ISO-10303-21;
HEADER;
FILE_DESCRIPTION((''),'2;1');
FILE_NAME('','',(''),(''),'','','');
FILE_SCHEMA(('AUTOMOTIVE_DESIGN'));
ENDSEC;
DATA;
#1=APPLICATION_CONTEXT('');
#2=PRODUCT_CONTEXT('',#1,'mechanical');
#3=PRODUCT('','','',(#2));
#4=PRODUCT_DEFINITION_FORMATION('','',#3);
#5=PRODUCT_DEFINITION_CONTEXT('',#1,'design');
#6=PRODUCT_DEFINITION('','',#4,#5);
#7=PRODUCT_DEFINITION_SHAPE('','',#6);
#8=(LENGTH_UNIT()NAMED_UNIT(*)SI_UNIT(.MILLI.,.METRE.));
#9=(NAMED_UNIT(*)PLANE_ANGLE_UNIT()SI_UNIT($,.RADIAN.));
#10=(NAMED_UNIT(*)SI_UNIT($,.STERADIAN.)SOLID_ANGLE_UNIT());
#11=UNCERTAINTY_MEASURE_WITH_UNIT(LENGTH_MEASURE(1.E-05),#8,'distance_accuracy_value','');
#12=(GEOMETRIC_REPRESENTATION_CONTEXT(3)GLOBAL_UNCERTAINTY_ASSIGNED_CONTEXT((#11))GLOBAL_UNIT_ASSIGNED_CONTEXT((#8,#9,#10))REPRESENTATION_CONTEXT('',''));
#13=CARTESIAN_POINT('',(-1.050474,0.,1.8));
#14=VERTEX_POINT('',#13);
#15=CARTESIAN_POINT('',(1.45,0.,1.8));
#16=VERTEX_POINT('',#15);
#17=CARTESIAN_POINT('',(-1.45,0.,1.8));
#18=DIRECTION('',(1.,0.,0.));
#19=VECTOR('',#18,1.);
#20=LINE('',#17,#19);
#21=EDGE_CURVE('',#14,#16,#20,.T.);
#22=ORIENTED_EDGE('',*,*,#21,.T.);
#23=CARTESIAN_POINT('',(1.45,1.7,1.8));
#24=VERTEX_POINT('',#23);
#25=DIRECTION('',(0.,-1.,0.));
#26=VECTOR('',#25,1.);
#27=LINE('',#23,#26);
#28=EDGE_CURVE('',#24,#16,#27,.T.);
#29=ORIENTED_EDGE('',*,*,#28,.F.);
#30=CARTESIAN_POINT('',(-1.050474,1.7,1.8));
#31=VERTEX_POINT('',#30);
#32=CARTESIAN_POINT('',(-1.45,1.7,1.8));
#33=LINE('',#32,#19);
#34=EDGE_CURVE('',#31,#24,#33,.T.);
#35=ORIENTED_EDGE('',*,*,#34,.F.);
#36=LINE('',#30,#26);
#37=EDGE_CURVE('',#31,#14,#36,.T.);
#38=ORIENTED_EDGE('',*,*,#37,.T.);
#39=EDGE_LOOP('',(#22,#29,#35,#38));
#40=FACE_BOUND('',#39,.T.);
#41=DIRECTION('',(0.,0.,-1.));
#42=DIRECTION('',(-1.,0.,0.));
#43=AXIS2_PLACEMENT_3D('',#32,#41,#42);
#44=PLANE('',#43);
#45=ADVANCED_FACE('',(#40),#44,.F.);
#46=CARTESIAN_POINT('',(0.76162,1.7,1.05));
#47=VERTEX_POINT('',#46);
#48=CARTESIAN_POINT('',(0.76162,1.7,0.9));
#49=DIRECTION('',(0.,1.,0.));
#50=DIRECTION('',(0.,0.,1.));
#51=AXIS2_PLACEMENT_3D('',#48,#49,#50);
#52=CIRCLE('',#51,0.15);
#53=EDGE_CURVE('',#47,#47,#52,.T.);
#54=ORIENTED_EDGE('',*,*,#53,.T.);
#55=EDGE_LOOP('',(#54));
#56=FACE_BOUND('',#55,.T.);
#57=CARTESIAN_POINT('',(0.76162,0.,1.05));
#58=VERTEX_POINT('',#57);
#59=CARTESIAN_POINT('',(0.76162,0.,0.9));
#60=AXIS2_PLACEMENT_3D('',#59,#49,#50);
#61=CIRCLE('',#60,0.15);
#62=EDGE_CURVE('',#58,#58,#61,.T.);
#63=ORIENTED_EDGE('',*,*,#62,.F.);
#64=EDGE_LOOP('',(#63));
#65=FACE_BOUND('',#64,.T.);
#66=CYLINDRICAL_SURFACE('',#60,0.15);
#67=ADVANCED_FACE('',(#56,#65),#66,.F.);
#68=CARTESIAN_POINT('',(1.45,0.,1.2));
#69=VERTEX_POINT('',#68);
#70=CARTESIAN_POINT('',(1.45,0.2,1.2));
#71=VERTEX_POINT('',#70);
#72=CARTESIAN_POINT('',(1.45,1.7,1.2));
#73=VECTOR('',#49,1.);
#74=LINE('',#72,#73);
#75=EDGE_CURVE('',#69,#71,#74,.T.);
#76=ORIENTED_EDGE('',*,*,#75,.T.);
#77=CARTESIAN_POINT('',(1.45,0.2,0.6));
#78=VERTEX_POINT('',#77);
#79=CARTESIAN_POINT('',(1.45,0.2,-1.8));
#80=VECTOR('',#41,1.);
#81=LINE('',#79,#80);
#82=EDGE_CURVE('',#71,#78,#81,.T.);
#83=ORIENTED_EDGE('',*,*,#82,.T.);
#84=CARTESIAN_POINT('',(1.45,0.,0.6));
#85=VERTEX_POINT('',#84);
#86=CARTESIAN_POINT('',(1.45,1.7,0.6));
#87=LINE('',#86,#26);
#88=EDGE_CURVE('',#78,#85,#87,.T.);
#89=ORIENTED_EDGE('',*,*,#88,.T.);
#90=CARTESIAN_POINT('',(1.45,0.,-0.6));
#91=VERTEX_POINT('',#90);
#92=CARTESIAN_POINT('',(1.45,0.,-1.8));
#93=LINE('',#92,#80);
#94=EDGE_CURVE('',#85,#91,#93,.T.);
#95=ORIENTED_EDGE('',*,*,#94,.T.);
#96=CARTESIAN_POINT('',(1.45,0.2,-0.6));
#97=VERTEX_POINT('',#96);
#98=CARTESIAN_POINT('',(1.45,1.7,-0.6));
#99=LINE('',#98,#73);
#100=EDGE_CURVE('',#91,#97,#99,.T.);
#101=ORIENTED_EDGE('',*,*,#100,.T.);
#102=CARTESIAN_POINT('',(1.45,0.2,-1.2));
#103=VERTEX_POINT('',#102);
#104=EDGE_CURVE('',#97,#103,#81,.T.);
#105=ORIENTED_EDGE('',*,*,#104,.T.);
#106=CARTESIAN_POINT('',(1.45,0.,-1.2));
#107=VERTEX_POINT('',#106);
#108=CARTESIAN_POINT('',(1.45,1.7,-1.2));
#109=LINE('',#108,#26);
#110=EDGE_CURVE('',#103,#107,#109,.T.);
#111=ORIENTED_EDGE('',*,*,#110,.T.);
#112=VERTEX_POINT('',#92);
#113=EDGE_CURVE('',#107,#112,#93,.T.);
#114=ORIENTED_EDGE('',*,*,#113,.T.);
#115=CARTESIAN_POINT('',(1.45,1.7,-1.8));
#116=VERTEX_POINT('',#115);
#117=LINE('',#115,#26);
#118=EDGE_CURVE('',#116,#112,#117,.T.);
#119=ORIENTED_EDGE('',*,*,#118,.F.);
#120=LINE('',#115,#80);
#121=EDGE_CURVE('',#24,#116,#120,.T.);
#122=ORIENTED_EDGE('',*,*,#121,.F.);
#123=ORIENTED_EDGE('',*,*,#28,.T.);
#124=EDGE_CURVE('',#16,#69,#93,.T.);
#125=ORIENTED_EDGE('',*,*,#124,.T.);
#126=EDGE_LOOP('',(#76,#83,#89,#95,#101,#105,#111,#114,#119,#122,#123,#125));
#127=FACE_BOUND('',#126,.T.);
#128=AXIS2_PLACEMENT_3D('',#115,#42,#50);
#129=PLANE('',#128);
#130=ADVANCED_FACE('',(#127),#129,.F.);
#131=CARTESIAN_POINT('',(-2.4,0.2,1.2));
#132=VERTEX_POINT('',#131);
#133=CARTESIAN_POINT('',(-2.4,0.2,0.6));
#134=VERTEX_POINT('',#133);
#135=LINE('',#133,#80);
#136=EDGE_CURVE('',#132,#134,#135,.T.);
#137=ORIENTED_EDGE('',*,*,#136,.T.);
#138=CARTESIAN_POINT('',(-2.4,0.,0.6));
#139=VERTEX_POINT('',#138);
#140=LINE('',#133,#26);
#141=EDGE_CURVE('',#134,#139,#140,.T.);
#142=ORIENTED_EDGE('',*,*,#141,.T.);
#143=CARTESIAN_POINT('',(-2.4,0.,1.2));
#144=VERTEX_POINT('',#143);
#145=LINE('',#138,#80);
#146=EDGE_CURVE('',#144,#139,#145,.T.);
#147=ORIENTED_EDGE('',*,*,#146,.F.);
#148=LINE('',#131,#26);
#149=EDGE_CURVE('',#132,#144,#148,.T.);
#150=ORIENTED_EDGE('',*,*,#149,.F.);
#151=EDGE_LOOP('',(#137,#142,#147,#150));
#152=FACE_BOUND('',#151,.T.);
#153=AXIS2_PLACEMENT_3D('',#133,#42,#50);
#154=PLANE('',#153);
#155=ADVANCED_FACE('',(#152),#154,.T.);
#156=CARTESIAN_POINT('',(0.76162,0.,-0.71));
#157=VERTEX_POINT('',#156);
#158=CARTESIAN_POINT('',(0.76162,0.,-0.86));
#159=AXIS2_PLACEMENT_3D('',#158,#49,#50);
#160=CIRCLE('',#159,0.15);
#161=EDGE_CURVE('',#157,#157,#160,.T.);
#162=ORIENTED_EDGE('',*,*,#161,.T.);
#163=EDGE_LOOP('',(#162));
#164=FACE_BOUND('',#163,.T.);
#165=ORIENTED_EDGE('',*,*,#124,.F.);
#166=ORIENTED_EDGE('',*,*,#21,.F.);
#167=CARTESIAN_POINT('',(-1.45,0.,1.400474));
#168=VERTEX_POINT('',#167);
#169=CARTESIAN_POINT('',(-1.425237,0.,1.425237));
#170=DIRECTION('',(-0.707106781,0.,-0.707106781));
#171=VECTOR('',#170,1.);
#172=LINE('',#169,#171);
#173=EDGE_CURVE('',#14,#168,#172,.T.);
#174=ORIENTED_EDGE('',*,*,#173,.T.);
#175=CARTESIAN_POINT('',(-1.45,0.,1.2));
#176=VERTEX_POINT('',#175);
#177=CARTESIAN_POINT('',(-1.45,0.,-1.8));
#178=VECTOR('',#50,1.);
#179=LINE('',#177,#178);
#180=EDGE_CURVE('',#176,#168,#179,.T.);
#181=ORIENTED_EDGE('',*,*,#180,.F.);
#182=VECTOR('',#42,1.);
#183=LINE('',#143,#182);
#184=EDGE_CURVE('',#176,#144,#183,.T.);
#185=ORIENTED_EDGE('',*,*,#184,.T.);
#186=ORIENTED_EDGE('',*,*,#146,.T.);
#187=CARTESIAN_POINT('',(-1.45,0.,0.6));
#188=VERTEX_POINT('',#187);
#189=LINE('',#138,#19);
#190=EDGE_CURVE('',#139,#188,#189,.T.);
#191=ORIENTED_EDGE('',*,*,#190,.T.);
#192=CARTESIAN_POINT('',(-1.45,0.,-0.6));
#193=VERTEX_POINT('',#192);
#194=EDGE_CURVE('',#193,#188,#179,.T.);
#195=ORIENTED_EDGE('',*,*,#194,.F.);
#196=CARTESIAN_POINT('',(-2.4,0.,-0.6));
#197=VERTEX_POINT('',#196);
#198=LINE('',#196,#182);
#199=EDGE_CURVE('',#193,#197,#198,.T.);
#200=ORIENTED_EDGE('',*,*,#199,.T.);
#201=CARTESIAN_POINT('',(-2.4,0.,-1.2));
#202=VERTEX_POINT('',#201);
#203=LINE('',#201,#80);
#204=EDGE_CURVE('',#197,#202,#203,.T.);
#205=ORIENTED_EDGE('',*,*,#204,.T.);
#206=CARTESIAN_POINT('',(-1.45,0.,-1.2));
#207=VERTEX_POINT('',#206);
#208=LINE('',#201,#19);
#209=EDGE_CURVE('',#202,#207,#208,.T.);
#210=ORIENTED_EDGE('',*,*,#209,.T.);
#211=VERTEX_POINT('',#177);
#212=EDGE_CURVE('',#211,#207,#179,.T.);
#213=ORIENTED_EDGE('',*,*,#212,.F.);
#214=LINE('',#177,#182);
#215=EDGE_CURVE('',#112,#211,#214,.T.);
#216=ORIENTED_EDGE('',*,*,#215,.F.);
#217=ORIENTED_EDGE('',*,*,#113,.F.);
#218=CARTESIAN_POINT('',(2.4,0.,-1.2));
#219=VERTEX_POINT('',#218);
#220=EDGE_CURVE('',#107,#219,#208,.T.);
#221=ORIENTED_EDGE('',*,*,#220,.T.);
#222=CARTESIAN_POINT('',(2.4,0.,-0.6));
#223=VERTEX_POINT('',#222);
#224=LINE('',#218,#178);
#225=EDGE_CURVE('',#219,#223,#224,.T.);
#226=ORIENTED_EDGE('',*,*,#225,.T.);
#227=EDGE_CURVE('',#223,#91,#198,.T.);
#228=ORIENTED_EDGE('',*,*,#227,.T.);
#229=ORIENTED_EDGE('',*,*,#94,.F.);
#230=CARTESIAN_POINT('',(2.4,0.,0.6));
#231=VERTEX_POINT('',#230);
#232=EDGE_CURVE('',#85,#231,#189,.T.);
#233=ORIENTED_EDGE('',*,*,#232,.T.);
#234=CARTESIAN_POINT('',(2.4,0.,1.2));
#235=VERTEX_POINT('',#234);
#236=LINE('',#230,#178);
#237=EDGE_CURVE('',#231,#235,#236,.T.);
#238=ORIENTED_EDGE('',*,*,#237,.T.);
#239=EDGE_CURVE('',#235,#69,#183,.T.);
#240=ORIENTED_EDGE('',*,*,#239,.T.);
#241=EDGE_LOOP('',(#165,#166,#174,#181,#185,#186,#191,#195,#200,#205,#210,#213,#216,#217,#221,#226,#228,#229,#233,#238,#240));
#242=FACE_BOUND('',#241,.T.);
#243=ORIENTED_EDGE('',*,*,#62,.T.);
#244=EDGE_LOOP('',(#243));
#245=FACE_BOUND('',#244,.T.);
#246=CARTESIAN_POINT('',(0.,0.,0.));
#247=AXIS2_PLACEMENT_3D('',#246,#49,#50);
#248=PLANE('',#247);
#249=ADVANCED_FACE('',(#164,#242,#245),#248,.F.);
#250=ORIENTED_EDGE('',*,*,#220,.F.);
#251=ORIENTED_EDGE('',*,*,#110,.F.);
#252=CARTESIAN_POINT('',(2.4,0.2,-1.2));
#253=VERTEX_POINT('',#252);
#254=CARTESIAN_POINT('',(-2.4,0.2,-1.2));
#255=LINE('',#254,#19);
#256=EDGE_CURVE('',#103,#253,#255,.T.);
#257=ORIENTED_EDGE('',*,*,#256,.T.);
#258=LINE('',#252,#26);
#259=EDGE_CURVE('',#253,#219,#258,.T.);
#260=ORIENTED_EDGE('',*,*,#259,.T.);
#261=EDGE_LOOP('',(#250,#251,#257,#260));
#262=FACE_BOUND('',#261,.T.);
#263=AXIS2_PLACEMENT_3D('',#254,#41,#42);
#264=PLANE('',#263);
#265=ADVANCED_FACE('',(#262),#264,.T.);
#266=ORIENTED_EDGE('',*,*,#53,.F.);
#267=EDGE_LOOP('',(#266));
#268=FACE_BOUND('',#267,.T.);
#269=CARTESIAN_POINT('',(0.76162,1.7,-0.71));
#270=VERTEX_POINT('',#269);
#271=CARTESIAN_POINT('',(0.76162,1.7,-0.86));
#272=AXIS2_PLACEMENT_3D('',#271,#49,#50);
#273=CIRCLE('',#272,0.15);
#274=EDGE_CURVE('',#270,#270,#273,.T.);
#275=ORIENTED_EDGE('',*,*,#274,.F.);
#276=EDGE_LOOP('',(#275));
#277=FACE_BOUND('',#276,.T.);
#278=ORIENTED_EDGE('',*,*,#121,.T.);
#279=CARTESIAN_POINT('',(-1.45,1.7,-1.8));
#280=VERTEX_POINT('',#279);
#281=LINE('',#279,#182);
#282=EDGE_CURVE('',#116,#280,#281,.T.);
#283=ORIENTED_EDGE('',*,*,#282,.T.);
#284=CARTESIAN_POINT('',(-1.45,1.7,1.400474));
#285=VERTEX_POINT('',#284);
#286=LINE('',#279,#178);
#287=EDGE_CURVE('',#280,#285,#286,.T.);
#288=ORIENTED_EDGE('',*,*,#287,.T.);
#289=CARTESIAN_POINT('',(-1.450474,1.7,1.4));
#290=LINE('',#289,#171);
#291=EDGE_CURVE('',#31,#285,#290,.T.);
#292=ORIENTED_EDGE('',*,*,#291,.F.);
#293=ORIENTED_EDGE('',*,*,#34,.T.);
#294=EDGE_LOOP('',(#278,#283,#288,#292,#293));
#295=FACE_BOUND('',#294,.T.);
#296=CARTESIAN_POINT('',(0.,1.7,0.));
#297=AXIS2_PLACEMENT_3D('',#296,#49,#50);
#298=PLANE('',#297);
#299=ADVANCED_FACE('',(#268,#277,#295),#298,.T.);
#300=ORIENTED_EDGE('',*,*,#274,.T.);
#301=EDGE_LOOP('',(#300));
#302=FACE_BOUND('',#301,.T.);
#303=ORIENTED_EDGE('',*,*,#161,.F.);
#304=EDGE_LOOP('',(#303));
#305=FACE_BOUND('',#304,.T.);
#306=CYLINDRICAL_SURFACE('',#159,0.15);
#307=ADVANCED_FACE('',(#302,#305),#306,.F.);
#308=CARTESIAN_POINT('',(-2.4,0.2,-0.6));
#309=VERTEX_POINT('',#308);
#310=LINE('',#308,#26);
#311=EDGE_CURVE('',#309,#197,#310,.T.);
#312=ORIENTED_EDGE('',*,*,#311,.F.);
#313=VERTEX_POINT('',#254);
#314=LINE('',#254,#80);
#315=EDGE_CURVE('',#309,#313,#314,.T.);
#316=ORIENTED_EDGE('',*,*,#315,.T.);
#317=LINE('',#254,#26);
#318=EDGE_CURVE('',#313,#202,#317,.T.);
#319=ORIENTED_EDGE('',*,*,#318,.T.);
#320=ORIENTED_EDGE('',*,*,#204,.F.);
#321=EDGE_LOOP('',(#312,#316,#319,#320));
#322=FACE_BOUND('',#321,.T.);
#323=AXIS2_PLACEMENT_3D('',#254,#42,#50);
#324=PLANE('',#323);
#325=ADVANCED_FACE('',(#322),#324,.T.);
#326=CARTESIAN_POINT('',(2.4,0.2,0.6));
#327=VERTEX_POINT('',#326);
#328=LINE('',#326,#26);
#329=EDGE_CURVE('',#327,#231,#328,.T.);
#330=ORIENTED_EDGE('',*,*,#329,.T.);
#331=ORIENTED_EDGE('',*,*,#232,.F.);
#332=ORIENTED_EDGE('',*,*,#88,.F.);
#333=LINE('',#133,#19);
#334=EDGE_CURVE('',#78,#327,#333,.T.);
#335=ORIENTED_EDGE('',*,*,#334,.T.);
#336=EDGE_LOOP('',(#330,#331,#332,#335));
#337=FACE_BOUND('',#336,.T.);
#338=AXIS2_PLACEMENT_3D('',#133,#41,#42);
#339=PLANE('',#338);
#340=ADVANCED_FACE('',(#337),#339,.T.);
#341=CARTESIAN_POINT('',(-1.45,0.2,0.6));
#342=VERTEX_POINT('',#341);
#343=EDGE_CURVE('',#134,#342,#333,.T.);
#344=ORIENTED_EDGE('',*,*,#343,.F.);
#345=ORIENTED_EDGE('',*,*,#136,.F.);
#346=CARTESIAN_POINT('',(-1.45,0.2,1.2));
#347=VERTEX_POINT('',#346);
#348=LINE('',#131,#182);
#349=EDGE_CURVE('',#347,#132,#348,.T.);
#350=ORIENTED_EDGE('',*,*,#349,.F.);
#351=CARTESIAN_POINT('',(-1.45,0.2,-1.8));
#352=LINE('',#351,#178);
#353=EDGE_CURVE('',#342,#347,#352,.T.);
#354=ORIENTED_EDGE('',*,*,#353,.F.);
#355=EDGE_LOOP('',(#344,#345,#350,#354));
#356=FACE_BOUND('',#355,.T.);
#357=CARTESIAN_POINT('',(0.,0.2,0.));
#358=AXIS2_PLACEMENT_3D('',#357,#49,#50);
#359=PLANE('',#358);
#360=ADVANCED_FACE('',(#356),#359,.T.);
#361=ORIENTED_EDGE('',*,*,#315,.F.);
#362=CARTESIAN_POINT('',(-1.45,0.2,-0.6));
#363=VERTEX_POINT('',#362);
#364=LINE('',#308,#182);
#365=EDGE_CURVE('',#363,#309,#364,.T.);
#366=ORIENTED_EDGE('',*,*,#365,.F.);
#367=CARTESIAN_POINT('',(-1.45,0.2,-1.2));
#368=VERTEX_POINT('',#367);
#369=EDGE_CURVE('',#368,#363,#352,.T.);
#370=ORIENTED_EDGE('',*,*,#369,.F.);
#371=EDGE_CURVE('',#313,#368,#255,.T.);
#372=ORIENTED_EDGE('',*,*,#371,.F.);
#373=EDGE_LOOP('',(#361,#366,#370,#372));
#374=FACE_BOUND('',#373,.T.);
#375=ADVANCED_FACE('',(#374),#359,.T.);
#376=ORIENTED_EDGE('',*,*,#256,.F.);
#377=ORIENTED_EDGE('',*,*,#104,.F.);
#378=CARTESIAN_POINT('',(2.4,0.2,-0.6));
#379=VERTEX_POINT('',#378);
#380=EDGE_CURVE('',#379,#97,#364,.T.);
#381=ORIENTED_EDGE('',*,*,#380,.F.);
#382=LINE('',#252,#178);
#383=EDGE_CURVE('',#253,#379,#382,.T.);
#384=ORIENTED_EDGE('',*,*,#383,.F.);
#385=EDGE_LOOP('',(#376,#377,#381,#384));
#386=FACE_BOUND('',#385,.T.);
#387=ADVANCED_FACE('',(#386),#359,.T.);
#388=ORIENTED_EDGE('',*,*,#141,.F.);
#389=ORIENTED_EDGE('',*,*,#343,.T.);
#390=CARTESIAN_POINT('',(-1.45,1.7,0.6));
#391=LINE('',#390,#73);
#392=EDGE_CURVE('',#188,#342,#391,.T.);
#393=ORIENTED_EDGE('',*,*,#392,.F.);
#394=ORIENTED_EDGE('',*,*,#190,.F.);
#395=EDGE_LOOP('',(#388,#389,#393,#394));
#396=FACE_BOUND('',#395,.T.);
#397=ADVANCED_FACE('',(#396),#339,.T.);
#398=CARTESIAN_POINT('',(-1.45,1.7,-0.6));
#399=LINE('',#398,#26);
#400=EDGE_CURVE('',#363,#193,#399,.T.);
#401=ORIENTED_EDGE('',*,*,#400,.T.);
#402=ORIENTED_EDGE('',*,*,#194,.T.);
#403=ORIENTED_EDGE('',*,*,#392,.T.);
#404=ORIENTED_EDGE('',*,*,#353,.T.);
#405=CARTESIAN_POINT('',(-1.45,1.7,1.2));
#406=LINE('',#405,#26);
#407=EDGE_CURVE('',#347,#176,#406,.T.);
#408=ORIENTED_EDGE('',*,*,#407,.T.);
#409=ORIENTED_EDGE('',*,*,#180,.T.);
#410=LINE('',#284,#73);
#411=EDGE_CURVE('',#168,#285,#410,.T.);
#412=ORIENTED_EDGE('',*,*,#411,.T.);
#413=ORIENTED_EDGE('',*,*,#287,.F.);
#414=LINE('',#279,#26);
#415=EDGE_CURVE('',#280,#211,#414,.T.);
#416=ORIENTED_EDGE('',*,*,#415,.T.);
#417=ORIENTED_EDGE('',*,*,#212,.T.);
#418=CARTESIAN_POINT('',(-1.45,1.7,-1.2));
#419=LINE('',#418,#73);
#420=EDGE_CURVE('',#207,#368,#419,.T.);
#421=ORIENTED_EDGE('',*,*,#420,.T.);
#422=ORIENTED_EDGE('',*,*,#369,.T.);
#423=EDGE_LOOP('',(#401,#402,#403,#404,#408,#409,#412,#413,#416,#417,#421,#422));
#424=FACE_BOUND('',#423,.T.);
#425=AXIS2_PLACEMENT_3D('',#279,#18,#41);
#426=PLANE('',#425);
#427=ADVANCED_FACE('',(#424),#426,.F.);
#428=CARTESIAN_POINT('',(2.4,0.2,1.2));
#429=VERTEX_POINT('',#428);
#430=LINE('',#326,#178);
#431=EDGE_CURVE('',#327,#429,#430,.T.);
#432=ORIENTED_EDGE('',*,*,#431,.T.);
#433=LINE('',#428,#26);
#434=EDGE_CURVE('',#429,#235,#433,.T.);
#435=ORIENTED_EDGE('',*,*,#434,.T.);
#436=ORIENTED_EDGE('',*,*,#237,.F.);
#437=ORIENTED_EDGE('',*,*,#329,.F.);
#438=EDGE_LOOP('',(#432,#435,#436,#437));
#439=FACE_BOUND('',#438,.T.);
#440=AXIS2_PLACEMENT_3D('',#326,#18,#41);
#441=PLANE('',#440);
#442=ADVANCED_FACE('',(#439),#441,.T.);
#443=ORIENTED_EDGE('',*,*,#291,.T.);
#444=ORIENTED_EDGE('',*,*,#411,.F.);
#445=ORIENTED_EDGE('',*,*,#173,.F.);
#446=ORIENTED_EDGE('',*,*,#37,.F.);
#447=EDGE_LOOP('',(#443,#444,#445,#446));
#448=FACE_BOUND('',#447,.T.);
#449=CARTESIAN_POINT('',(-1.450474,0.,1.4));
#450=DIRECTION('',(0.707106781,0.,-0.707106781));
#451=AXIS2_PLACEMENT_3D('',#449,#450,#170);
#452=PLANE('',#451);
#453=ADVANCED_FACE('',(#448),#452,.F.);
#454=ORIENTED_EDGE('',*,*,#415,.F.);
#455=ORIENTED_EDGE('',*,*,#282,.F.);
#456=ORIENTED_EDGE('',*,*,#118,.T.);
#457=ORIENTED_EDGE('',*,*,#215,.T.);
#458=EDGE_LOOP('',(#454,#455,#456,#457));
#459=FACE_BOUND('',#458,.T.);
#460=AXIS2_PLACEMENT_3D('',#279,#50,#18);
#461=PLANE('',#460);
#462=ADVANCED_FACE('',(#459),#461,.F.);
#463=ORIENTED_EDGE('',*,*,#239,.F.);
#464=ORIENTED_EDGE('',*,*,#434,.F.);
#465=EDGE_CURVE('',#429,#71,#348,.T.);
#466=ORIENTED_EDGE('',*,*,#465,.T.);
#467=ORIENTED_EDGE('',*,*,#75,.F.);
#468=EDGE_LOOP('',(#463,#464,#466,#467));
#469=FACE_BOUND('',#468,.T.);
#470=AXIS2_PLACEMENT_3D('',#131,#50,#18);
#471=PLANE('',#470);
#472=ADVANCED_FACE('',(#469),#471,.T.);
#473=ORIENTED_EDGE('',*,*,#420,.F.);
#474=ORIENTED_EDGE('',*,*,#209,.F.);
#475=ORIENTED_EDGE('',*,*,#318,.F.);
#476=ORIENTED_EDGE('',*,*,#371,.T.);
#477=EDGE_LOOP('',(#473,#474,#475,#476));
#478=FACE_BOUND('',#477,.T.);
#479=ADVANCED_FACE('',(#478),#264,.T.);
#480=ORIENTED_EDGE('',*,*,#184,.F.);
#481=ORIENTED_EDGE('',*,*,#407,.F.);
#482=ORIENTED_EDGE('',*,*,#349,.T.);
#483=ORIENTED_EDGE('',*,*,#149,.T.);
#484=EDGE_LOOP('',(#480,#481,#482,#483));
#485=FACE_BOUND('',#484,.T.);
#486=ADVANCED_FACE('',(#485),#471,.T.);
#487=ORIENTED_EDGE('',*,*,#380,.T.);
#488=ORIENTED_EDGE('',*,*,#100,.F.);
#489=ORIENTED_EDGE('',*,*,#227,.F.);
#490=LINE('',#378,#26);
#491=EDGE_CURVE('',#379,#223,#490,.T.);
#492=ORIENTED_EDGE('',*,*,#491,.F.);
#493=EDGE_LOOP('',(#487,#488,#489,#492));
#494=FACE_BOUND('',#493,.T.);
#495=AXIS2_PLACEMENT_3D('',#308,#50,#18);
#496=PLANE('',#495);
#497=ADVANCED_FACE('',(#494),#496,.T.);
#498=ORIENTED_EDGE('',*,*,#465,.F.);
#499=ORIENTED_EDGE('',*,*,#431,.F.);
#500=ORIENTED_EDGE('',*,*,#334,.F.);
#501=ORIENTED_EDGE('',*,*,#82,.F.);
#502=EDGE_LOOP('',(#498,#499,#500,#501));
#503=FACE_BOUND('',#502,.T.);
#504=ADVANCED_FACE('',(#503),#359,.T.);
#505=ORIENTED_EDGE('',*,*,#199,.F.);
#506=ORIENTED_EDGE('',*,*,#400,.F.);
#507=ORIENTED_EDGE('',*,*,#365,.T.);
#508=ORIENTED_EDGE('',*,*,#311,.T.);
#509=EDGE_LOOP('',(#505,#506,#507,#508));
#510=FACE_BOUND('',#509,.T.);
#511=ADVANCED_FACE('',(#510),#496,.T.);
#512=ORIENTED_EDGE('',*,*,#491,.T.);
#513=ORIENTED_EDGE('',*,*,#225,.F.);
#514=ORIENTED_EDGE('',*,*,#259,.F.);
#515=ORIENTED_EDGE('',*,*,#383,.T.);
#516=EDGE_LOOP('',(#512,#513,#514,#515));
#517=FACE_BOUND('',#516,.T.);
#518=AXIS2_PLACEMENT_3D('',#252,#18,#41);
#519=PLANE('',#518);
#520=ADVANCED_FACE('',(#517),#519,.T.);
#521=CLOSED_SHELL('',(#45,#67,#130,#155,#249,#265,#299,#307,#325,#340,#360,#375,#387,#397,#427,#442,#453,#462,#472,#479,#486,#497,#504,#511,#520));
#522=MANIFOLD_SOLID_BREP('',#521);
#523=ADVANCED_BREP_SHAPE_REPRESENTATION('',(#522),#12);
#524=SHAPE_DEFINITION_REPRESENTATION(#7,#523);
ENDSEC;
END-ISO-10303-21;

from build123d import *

# Parameters (mm, degrees)
SKETCH_1_W          = 2.9
SKETCH_1_H          = 3.6
EXTRUDE_1_DEPTH     = 1.7
CUT_EXTRUDE_1_DEPTH = 1.7
SKETCH_5_W          = 4.8
SKETCH_5_H          = 0.6
EXTRUDE_2_DEPTH     = 0.2
SKETCH_4_R          = 0.15
CUT_EXTRUDE_2_DEPTH = 1.7


with BuildPart() as part:
    # 스케치1 → 보스-돌출1 (new body)
    with BuildSketch(Plane(origin=(0, 0, 0), x_dir=(1, 0, 0), z_dir=(0, 1, 0))):
        Rectangle(SKETCH_1_W, SKETCH_1_H)
    extrude(amount=EXTRUDE_1_DEPTH)

    # 스케치3 → 컷-돌출1 (cut)
    with BuildSketch(Plane(origin=(0, 1.7, 0), x_dir=(1, 0, 0), z_dir=(0, 1, 0))):
        Polygon((-1.45047429, -1.4), (-1.05, -1.80047429), (-1.45, -1.8), align=None)
    extrude(amount=-CUT_EXTRUDE_1_DEPTH, mode=Mode.SUBTRACT)

    # 스케치5 → 보스-돌출2 (add)
    with BuildSketch(Plane.XZ):
        with Locations((0, -0.9)):
            Rectangle(SKETCH_5_W, SKETCH_5_H)
        with Locations((0, 0.9)):
            Rectangle(SKETCH_5_W, SKETCH_5_H)
    extrude(amount=-EXTRUDE_2_DEPTH)

    # 스케치4 → 컷-돌출2 (cut)
    with BuildSketch(Plane(origin=(0, 1.7, 0), x_dir=(1, 0, 0), z_dir=(0, 1, 0))):
        with Locations((0.76162028, 0.86)):
            Circle(SKETCH_4_R)
        with Locations((0.76162028, -0.9)):
            Circle(SKETCH_4_R)
    extrude(amount=-CUT_EXTRUDE_2_DEPTH, mode=Mode.SUBTRACT)


solid = part.part
